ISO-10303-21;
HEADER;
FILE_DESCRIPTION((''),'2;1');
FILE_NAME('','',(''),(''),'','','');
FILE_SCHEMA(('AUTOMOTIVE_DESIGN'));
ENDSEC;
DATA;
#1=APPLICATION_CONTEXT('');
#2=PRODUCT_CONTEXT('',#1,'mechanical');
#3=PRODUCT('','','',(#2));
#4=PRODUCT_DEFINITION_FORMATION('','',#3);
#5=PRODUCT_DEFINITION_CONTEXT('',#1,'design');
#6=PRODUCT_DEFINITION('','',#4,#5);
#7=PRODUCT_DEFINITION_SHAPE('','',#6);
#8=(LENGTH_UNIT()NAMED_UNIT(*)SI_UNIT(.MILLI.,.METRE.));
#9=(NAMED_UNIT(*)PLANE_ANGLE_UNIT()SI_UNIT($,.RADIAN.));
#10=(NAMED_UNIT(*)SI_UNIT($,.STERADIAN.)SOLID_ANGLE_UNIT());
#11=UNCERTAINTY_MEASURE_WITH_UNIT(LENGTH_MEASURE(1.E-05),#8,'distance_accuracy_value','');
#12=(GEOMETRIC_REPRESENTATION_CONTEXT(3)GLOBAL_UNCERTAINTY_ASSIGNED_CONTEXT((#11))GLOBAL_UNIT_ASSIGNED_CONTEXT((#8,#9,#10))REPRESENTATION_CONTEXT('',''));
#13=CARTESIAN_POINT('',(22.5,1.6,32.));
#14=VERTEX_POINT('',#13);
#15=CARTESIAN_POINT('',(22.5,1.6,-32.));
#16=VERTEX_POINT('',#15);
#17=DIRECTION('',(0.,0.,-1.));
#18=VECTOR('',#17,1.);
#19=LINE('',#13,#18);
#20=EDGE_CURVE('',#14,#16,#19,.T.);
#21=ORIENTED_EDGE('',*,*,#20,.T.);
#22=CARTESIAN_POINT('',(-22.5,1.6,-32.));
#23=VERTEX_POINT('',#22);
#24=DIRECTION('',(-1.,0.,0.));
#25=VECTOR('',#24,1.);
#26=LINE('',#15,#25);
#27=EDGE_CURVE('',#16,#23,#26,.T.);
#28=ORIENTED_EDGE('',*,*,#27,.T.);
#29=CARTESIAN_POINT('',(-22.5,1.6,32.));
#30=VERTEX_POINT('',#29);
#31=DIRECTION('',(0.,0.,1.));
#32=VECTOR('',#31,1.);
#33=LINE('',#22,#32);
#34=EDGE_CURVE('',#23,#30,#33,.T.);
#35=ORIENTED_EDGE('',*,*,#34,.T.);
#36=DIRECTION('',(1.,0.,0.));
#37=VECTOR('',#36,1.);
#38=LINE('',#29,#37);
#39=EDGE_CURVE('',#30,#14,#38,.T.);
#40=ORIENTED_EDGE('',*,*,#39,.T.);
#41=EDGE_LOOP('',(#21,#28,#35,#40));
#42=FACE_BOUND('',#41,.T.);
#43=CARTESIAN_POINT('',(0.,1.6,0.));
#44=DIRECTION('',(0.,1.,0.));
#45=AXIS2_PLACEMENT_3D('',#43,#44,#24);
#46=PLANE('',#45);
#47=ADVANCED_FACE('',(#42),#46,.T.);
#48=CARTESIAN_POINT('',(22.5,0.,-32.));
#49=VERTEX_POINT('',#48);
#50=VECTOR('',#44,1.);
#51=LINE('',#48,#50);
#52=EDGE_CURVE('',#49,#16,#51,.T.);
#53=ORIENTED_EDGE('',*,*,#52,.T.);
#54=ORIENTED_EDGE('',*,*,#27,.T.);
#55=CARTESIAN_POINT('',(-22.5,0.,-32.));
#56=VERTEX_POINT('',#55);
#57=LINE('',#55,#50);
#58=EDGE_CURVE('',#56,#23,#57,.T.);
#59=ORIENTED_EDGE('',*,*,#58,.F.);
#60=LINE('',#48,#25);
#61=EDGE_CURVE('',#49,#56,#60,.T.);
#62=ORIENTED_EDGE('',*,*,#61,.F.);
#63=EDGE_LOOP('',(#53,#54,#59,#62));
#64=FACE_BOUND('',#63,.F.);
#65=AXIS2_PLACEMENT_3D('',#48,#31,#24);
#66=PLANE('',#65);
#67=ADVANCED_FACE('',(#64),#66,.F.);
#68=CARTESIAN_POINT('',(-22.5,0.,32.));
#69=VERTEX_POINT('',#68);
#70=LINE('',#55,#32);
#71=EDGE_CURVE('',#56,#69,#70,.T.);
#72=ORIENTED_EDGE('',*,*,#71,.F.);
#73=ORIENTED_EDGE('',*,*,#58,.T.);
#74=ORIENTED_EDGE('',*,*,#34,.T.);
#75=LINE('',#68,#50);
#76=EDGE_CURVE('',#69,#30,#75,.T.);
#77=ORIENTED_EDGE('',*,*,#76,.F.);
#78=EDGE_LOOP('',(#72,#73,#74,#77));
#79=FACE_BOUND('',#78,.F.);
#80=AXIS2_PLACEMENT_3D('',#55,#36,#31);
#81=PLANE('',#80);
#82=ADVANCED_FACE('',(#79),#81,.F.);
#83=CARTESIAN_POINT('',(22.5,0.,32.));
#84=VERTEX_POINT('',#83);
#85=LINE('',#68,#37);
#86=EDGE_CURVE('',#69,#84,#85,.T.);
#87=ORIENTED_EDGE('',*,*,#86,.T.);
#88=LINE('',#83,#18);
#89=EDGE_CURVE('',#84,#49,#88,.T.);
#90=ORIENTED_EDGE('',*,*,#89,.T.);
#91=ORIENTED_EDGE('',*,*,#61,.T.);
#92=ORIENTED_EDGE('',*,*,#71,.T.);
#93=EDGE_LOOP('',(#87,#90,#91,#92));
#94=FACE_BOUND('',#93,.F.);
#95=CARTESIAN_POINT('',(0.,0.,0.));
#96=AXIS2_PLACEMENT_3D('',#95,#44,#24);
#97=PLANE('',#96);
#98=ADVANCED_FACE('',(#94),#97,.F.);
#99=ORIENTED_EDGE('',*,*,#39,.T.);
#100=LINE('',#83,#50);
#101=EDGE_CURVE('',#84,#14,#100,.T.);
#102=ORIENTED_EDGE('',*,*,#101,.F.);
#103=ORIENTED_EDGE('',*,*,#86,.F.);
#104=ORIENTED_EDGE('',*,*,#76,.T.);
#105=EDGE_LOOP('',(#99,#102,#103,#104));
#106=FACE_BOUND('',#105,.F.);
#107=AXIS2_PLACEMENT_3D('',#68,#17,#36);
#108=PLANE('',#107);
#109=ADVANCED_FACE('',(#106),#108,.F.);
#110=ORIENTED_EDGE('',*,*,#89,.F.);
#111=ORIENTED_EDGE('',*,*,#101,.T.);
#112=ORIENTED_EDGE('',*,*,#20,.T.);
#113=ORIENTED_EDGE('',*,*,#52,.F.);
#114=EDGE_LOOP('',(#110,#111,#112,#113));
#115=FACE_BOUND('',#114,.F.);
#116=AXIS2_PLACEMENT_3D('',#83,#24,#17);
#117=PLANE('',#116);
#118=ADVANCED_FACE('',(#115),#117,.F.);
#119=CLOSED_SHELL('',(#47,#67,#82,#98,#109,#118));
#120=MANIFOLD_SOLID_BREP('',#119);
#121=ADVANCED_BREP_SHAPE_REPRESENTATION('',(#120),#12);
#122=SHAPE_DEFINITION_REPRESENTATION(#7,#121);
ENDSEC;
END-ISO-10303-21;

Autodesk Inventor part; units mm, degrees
ref_plane "YZ Plane" through (0, 0, 0) normal (1, 0, 0) x (0, 1, 0)
ref_plane "XZ Plane" through (0, 0, 0) normal (0, 1, 0) x (-1, 0, 0)
ref_plane "XY Plane" through (0, 0, 0) normal (0, 0, 1) x (1, 0, 0)
sketch "Esquisse1" plane through (0, 0, 0) normal (0, 1, 0) x (-1, 0, 0)
  line L0 (22.5, 32) -> (-22.5, 32)
  line L1 (-22.5, 32) -> (-22.5, -32)
  line L2 (-22.5, -32) -> (22.5, -32)
  line L3 (22.5, -32) -> (22.5, 32)
  point P0 (0, 0)
  dimension "d0" = 64
  dimension "d1" = 45
  dimension "d2" = 22.5
  dimension "d3" = 32
extrude "Extrusion1" add sketch "Esquisse1" along normal blind 1.6
equation "\"d2\" = 0.5 * d1"
equation "\"d3\" = 0.5 * d0"
properties part number "pcb_connecteur"
